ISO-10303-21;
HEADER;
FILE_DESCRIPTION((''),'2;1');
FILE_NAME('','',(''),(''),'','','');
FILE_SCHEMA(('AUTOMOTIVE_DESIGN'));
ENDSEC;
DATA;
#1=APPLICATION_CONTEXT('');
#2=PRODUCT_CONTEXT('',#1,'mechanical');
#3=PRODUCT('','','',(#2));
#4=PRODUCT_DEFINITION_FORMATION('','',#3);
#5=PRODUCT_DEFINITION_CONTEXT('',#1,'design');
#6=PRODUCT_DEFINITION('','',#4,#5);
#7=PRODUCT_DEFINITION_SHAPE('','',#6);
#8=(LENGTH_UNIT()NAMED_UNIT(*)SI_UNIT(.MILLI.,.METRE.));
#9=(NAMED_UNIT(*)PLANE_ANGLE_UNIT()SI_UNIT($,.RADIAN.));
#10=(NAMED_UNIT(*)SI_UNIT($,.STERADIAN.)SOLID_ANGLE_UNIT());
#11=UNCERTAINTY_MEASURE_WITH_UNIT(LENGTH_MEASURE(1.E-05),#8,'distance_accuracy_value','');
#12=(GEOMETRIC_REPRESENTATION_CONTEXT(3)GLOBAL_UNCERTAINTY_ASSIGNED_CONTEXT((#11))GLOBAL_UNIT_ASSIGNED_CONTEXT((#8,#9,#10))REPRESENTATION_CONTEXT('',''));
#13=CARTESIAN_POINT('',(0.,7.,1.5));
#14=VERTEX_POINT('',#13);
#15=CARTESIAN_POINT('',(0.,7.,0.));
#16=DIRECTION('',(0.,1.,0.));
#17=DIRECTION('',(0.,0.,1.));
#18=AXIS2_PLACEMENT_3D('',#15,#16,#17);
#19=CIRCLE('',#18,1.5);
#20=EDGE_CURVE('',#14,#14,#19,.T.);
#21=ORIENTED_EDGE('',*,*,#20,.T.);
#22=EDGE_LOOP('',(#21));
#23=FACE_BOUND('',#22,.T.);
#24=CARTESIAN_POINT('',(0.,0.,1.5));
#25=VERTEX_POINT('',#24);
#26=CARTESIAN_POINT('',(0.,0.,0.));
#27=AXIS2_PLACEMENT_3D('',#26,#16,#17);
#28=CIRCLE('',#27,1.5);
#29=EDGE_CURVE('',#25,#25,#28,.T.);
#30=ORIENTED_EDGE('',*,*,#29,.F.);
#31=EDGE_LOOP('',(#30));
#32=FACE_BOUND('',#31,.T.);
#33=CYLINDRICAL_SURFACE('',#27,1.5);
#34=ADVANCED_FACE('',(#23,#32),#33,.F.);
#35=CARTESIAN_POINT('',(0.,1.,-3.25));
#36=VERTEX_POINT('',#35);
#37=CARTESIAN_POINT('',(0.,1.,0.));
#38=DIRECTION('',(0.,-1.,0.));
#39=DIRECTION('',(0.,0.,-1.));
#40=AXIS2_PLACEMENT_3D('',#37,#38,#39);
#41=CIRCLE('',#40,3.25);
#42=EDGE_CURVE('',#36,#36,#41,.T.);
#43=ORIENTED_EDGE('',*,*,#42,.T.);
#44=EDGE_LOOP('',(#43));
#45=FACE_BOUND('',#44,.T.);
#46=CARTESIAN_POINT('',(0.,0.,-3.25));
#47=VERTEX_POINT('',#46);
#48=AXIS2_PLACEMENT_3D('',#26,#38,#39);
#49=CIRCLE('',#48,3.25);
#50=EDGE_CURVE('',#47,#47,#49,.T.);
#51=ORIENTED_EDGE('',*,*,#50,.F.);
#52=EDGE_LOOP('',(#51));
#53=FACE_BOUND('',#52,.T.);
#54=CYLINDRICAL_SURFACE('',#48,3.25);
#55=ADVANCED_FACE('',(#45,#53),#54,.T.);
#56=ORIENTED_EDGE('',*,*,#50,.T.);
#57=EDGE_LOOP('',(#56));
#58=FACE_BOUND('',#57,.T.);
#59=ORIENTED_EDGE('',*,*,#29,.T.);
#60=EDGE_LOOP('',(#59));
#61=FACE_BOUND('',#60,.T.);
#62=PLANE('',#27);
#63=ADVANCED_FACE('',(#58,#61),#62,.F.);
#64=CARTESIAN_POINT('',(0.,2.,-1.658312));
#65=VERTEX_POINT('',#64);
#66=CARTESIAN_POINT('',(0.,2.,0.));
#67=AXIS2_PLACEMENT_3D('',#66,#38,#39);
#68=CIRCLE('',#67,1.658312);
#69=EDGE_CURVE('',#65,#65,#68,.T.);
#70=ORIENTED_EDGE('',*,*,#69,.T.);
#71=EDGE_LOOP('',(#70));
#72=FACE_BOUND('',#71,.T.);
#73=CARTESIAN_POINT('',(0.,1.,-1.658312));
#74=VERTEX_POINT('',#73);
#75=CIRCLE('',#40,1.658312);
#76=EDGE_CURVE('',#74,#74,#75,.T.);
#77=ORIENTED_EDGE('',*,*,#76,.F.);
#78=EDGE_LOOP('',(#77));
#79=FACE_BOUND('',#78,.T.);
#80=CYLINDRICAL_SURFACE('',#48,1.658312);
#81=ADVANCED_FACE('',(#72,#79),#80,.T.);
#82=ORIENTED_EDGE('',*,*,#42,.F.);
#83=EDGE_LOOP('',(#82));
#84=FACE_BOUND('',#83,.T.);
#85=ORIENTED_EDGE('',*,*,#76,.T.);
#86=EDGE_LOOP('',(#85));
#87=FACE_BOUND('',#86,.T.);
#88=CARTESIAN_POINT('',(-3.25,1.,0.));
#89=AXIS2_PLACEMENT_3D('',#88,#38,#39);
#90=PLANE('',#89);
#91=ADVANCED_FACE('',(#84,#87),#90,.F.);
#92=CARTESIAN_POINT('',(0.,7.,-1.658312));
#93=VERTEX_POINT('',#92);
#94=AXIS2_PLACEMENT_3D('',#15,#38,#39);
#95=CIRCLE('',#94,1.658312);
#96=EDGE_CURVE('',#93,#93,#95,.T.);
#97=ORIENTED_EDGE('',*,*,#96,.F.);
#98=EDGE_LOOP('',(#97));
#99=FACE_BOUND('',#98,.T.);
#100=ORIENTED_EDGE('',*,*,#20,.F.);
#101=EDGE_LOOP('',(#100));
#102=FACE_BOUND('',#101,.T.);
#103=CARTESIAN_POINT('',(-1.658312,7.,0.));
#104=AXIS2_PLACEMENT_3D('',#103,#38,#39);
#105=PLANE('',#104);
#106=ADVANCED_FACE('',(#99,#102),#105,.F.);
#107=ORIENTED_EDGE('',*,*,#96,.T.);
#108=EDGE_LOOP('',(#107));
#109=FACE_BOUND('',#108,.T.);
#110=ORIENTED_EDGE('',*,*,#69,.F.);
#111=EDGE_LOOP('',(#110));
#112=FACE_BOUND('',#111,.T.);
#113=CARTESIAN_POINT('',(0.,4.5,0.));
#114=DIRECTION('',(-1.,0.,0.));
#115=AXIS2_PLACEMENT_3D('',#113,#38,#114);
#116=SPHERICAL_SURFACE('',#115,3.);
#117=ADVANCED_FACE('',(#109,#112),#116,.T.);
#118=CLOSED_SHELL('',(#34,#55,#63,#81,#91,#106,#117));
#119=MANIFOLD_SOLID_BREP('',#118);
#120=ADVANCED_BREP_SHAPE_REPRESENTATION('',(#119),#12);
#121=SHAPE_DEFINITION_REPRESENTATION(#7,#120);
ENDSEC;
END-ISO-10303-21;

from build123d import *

# Parameters (mm, degrees)
SKETCH2_R          = 1.5
CUT_EXTRUDE1_DEPTH = 8


with BuildPart() as part:
    # Sketch1 → Revolve1 (revolve)
    with BuildSketch(Plane.XY):
        with BuildLine():
            Line((0, 0), (-3.25, 0))
            Line((-3.25, 0), (-3.25, 1))
            Line((-3.25, 1), (-1.658312395, 1))
            Line((-1.658312395, 1), (-1.658312395, 2))
            ThreePointArc((-1.658312395, 2), (-3, 4.5), (-1.658312395, 7))
            Line((-1.658312395, 7), (0, 7))
            Line((0, 7), (0, 0))
        make_face()
    revolve(axis=Axis((0, 0, 0), (0, 1, 0)))

    # Sketch2 → Cut-Extrude1 (cut, through all)
    with BuildSketch(Plane(origin=(0, 7, 0), x_dir=(1, 0, 0), z_dir=(0, 1, 0))):
        Circle(SKETCH2_R)
    extrude(amount=-CUT_EXTRUDE1_DEPTH, mode=Mode.SUBTRACT)


solid = part.part
